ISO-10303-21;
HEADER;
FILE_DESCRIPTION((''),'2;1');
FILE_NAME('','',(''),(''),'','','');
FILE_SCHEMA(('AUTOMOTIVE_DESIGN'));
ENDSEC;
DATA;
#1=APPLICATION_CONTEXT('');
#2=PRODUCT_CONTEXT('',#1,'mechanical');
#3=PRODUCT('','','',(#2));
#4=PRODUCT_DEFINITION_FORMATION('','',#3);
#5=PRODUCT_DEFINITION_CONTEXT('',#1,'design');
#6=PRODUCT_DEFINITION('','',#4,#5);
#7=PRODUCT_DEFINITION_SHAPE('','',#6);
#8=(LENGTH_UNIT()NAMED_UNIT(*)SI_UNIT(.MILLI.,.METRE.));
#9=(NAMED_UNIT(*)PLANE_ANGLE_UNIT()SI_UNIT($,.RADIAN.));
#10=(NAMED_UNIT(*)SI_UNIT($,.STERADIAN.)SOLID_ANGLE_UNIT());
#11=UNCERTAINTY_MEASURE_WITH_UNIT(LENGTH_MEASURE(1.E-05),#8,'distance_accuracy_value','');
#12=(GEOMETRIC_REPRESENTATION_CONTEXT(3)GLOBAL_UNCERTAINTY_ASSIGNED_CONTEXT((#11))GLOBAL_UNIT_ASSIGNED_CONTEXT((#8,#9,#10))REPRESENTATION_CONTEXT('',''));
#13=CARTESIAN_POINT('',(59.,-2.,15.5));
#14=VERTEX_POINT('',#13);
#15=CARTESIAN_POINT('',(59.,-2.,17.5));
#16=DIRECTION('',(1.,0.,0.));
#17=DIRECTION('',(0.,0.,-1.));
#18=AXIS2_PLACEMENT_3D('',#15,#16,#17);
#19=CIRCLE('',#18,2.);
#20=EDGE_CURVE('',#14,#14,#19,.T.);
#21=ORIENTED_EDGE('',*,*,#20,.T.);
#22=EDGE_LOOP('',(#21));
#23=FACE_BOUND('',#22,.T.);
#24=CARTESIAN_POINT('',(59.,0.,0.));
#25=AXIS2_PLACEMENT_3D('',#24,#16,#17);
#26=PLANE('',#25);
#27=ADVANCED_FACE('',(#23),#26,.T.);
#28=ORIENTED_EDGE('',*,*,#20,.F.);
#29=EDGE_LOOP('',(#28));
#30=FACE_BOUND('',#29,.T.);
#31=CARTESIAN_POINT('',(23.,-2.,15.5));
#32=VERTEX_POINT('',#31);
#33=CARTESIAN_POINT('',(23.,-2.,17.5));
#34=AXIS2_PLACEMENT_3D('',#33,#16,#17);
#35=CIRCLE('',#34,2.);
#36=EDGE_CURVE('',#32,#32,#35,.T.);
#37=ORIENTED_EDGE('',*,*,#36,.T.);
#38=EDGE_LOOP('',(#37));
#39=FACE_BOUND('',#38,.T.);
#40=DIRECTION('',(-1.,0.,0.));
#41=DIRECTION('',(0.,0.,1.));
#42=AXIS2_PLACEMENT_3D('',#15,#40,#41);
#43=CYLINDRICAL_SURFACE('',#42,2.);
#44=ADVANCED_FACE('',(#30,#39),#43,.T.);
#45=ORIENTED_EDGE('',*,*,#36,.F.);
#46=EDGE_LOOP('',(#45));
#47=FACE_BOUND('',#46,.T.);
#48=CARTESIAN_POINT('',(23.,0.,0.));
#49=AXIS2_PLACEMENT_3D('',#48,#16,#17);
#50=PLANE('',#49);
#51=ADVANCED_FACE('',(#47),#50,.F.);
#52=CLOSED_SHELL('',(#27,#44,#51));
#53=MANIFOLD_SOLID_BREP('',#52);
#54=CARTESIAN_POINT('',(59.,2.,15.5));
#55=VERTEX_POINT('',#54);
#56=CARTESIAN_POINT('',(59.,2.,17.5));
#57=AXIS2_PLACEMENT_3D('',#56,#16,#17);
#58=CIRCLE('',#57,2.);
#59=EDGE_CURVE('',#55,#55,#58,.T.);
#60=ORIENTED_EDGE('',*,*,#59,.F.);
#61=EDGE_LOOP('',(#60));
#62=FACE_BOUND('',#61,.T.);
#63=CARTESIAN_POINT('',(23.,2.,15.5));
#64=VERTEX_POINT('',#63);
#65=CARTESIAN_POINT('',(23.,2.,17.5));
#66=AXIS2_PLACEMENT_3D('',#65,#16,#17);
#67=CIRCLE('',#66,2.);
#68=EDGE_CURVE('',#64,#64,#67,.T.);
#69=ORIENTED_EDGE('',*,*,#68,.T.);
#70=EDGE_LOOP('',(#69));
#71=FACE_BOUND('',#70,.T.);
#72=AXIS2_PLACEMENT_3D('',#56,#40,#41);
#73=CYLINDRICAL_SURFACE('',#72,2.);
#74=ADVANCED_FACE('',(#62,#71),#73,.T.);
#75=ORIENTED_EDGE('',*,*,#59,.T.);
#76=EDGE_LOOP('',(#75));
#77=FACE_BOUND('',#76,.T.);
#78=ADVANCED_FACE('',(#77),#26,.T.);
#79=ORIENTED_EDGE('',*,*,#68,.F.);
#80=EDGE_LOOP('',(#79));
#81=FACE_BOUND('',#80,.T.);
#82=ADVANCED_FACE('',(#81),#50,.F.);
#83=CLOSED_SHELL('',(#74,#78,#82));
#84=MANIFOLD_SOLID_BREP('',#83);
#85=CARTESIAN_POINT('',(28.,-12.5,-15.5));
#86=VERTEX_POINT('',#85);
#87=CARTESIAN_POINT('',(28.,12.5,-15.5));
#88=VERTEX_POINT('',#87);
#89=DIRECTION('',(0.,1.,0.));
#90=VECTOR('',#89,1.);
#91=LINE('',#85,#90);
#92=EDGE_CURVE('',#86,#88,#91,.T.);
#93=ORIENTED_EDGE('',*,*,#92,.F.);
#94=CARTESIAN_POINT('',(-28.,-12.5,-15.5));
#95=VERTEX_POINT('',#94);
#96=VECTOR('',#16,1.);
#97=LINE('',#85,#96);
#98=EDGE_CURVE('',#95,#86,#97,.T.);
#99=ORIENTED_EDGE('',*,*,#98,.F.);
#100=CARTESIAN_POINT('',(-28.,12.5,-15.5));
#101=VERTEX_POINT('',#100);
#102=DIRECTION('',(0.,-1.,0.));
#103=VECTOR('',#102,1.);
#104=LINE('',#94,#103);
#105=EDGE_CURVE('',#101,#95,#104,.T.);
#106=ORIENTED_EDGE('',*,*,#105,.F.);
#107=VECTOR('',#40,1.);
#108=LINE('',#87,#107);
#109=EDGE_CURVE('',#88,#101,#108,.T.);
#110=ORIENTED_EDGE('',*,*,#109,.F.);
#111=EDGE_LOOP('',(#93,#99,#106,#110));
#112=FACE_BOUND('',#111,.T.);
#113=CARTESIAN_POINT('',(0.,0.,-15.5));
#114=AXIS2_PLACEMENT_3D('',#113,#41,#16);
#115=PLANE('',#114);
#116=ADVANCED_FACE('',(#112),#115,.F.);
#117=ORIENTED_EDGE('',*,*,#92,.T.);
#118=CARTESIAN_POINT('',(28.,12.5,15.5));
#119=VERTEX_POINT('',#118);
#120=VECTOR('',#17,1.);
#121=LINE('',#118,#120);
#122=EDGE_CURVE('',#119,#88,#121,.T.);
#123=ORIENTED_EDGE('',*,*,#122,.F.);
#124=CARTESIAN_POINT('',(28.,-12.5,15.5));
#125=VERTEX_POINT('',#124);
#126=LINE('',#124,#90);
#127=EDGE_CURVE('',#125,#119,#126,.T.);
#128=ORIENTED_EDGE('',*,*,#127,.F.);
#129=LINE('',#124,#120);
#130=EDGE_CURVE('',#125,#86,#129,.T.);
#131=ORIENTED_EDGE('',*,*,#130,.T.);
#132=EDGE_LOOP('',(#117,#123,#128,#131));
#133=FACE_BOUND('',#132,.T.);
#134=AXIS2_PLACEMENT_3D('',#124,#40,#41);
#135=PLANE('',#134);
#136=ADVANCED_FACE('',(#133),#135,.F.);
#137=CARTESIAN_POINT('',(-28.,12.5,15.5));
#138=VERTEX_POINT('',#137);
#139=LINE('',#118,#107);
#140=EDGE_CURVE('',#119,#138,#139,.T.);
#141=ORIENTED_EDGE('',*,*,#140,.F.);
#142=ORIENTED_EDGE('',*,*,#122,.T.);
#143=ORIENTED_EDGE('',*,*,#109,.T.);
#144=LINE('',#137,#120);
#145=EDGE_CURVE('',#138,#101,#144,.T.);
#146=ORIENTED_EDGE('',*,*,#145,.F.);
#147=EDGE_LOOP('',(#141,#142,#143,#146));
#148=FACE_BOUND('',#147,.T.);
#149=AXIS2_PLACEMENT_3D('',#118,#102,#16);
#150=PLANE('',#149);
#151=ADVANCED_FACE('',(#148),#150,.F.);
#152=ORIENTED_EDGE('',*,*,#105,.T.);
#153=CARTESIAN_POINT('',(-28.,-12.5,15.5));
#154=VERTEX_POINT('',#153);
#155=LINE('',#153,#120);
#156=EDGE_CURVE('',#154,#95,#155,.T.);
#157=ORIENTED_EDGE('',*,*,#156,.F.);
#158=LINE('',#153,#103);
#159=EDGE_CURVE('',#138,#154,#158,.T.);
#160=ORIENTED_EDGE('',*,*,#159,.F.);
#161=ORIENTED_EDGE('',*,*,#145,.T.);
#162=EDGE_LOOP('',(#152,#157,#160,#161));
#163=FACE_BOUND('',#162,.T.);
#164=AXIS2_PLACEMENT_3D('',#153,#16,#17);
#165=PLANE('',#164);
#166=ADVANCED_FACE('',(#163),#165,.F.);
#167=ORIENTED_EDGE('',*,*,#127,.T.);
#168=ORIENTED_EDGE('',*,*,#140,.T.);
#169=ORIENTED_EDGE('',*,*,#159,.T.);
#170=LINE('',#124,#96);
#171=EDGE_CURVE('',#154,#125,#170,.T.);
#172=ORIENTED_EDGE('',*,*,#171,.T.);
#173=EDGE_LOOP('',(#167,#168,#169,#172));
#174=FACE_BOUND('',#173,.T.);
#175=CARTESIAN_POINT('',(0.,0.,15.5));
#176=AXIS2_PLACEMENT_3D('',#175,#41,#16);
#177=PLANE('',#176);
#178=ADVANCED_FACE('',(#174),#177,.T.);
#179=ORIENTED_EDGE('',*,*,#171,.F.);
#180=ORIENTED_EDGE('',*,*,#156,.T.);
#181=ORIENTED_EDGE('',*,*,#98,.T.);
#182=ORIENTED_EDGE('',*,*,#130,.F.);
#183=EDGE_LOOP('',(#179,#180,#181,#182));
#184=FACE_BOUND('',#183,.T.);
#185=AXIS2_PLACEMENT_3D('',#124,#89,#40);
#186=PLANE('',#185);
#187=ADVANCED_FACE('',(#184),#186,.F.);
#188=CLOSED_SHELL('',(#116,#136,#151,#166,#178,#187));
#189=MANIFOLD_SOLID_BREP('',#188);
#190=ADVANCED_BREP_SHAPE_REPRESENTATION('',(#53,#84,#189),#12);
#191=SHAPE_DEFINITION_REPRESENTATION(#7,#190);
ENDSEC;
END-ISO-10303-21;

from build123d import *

# Parameters (mm, degrees)
SKETCH1_W                  = 56
SKETCH1_H                  = 25
BOSS_EXTRUDE1_DEPTH        = 15.5
BOSS_EXTRUDE2_DEPTH        = 31
BOSS_EXTRUDE2_DEPTH_BACK   = 5
SKETCH2_R                  = 2
BOSS_EXTRUDE2_2_DEPTH      = 31
BOSS_EXTRUDE2_2_DEPTH_BACK = 5


with BuildPart() as part:
    # Sketch1 → Boss-Extrude1 (new, symmetric)
    with BuildSketch(Plane.XY):
        Rectangle(SKETCH1_W, SKETCH1_H)
    extrude(amount=BOSS_EXTRUDE1_DEPTH, both=True)


with BuildPart() as body_2:
    # Sketch2 → Boss-Extrude2 (new, two sides: drawn at the far end of the back side and taken through both)
    with BuildSketch(Plane(origin=(28, 0, 0), x_dir=(0, 0, -1), z_dir=(1, 0, 0)).offset(-BOSS_EXTRUDE2_DEPTH_BACK)):
        with Locations((-17.5, 2)):
            Circle(SKETCH2_R)
    extrude(amount=BOSS_EXTRUDE2_DEPTH + BOSS_EXTRUDE2_DEPTH_BACK)


with BuildPart() as body_3:
    # Sketch2 → Boss-Extrude2 2 (new, two sides: drawn at the far end of the back side and taken through both)
    with BuildSketch(Plane(origin=(28, 0, 0), x_dir=(0, 0, -1), z_dir=(1, 0, 0)).offset(-BOSS_EXTRUDE2_2_DEPTH_BACK)):
        with Locations((-17.5, -2)):
            Circle(SKETCH2_R)
    extrude(amount=BOSS_EXTRUDE2_2_DEPTH + BOSS_EXTRUDE2_2_DEPTH_BACK)


solid = Compound([part.part, body_2.part, body_3.part])
